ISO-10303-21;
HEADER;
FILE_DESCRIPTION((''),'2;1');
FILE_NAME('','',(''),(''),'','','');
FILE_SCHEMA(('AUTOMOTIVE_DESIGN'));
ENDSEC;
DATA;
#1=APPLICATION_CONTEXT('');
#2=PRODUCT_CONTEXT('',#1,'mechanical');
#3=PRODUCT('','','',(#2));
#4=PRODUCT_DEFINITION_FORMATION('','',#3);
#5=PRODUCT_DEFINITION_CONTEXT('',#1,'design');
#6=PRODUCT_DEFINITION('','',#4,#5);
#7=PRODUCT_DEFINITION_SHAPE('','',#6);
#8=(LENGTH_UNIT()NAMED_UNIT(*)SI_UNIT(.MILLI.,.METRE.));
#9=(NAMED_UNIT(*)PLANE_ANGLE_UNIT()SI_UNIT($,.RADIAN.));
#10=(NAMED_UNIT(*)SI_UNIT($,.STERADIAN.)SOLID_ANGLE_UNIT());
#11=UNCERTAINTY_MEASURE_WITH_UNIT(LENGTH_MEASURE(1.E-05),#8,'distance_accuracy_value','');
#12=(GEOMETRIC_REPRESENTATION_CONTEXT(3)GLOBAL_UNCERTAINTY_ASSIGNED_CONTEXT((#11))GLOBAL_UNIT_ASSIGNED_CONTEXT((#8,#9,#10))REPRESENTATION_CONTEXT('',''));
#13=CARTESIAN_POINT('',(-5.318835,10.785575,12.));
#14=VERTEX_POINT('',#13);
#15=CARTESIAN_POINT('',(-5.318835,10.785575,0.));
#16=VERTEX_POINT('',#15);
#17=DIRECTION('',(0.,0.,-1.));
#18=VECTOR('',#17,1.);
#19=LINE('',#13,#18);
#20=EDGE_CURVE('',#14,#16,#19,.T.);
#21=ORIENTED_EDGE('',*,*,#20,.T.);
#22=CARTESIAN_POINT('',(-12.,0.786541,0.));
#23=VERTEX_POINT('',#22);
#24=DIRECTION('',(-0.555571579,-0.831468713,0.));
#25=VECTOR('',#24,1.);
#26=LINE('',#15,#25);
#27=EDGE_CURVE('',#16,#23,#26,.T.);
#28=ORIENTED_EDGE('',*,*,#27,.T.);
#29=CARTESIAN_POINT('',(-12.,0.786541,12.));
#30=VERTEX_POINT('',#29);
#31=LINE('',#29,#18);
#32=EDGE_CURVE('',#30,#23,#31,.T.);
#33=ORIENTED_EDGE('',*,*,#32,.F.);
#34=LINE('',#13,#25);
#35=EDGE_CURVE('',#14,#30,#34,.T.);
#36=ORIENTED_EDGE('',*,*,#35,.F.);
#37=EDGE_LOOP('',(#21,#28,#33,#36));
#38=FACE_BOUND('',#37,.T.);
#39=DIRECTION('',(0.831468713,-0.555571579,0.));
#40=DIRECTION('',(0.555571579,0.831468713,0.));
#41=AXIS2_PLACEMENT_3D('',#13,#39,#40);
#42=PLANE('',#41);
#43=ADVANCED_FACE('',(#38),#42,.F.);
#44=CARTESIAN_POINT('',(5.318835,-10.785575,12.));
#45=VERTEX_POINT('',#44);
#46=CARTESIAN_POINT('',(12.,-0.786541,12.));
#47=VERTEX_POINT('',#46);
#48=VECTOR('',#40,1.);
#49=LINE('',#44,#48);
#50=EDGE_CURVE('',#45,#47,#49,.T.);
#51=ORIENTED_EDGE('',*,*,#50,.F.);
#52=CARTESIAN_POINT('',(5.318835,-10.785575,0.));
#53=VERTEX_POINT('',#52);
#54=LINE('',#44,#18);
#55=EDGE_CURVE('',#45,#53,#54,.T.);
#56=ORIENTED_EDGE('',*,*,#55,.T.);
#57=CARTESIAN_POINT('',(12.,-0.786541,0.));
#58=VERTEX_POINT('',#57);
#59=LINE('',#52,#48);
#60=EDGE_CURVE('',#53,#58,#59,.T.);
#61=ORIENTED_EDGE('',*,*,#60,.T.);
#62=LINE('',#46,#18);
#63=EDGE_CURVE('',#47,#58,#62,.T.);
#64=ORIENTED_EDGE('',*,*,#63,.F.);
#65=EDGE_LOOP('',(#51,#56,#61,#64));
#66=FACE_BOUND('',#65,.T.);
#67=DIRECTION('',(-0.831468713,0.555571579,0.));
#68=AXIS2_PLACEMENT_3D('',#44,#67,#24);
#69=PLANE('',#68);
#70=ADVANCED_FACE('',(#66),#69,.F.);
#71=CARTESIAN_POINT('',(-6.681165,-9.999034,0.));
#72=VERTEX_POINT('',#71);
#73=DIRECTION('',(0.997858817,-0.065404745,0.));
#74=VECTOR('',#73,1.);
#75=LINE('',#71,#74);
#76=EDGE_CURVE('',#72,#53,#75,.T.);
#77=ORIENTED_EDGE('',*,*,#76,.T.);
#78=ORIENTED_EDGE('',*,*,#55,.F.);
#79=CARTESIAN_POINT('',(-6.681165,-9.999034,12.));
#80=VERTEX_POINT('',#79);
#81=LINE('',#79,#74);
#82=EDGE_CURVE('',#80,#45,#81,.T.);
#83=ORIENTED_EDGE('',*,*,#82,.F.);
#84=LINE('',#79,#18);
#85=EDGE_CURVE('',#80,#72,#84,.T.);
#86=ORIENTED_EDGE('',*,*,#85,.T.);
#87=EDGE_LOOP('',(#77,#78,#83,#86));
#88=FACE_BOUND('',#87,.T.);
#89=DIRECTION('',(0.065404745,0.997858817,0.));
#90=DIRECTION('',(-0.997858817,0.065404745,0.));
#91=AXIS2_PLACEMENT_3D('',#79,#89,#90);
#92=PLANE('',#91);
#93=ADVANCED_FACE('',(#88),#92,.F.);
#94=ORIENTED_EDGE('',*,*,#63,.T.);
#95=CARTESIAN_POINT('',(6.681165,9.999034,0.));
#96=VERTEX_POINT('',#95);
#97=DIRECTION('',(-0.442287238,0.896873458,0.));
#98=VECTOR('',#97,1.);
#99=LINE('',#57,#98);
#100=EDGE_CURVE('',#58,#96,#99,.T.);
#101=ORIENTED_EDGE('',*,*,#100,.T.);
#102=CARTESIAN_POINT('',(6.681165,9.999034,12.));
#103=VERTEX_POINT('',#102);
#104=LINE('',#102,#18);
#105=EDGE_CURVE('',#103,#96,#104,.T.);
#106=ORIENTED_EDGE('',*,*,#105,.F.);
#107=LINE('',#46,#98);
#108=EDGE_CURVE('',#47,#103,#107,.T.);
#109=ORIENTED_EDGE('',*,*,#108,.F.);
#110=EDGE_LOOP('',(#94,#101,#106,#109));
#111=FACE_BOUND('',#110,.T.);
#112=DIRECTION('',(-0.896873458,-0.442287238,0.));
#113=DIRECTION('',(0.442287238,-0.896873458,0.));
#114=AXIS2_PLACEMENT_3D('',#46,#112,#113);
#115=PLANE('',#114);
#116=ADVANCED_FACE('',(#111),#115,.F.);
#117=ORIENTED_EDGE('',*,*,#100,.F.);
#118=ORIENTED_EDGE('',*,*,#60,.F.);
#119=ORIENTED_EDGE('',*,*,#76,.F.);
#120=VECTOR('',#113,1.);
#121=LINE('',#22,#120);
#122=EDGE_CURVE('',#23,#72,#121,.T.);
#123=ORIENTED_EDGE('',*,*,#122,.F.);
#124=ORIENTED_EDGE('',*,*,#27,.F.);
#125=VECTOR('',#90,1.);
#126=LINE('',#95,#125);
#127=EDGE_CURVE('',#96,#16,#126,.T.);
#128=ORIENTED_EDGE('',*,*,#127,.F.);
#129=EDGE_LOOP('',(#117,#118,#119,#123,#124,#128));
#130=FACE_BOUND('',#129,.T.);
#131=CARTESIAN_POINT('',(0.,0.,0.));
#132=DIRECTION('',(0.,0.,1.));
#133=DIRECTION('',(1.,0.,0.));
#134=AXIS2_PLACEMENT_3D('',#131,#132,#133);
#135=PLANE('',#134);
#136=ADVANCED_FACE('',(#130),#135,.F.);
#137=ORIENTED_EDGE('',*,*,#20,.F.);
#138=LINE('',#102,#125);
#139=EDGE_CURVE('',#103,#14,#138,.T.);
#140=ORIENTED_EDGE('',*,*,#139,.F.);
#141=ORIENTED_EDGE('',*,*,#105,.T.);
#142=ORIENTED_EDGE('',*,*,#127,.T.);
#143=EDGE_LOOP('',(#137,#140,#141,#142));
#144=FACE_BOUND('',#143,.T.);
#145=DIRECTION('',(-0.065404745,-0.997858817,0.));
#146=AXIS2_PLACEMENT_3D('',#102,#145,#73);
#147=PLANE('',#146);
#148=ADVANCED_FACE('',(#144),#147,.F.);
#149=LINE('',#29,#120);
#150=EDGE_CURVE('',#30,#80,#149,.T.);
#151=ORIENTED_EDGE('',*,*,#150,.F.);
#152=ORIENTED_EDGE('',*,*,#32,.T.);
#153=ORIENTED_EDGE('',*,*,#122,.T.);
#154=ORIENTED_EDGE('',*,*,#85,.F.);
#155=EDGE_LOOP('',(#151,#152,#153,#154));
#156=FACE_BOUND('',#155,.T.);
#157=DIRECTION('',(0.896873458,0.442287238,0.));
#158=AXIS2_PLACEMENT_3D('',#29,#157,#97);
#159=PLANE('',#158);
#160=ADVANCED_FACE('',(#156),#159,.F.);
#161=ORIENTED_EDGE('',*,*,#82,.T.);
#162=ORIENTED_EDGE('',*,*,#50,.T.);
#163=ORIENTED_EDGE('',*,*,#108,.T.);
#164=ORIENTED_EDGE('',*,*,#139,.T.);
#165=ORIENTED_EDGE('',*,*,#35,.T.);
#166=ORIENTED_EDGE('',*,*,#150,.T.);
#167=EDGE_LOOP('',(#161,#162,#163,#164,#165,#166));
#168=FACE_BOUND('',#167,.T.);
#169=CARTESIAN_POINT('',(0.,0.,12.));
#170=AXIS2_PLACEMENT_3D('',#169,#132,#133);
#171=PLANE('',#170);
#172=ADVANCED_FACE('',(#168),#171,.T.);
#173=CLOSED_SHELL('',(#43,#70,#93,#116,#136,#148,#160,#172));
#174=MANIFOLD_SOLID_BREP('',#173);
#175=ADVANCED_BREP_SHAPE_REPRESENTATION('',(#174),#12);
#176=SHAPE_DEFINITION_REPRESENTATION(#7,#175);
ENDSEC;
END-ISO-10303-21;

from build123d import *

# Parameters (mm, degrees)
BOSS_EXTRUDE1_DEPTH = 12


with BuildPart() as part:
    # Sketch1 → Boss-Extrude1 (new body)
    with BuildSketch(Plane.XY):
        Polygon((6.681164543, 9.999034313), (-5.318835457, 10.785575377), (-12, 0.786541064), (-6.681164543, -9.999034313), (5.318835457, -10.785575377), (12, -0.786541064), align=None)
    extrude(amount=BOSS_EXTRUDE1_DEPTH)


solid = part.part
